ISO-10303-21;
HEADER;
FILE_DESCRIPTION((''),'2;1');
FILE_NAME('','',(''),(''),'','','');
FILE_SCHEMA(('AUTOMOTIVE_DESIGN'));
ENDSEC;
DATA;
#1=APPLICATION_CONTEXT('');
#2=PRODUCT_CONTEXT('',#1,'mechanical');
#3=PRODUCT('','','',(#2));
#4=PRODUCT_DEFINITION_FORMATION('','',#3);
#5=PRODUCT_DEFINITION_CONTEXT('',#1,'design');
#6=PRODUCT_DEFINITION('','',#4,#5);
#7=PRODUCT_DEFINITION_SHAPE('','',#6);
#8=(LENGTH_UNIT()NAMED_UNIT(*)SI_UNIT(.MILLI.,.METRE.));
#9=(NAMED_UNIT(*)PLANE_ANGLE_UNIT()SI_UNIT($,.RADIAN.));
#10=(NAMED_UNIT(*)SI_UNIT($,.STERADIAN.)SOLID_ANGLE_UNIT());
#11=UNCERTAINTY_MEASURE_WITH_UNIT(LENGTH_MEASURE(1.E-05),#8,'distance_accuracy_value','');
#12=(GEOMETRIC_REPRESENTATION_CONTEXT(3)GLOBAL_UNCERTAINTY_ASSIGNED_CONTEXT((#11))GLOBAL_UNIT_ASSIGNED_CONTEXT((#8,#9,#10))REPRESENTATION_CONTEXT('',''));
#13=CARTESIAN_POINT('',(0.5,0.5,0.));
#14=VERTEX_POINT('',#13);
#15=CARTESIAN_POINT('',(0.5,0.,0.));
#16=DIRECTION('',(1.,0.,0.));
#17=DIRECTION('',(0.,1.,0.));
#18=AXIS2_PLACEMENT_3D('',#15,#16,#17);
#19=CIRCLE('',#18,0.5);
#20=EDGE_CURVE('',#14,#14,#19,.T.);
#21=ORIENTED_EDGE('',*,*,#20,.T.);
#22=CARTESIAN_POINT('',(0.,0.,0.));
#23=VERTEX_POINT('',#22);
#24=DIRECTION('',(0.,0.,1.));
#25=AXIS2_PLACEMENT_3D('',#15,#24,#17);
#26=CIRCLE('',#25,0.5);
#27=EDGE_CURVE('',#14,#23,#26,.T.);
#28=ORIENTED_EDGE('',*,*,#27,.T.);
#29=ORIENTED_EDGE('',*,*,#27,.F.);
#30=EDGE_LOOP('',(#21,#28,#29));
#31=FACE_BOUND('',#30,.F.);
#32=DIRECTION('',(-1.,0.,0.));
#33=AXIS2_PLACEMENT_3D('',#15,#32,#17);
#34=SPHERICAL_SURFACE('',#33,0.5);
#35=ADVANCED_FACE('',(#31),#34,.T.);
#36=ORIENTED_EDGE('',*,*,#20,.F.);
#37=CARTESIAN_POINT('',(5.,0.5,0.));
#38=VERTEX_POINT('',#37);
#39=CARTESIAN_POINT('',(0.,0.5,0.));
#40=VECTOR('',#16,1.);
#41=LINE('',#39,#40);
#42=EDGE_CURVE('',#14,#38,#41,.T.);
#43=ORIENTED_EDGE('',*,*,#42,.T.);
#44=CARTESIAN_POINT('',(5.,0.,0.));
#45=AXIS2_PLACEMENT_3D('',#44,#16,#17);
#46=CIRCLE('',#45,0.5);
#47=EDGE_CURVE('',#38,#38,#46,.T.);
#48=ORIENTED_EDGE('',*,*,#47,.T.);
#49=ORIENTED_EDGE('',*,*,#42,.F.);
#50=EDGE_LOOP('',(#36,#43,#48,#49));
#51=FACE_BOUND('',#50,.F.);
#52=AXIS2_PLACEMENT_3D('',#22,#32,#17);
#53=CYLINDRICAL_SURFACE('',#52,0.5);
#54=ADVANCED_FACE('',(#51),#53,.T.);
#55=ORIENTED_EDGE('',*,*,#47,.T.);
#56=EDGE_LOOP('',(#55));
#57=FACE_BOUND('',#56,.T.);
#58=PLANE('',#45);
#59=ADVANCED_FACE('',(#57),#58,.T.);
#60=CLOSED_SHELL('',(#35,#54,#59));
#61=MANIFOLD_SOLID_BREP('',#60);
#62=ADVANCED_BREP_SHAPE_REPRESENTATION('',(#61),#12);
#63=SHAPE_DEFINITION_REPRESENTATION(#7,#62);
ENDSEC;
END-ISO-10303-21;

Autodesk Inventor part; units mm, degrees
ref_plane "YZ Plane" through (0, 0, 0) normal (1, 0, 0) x (0, 1, 0)
ref_plane "XZ Plane" through (0, 0, 0) normal (0, 1, 0) x (-1, 0, 0)
ref_plane "XY Plane" through (0, 0, 0) normal (0, 0, 1) x (1, 0, 0)
sketch "Skizze1" plane through (0, 0, 0) normal (1, 0, 0) x (0, 1, 0)
  circle A0 centre (0, 0) radius 0.5
  dimension "d0" = 1
extrude "Extrusion1" add sketch "Skizze1" along normal blind 5
sketch "Skizze2" plane through (0, 0, 0) normal (0, 0, 1) x (1, 0, 0)
  line L0 (5, -0.5) -> (5, 0.5) projected
  line L1 (0, 0.5) -> (0, -0.5) construction
  arc A0 (0.5, 0.5) -> (0, 0) centre (0.5, 0) ccw
  line L2 (0, 0.5) -> (5, 0.5) construction
  line L3 (0, 0.5) -> (0, -0.5) projected
  line L4 (0, 0) -> (0, 0.5)
  line L5 (0, 0.5) -> (0.5, 0.5)
  line L6 (-1.1243, 0) -> (6.0207, 0) projected
revolve "Umdrehung1" cut sketch "Skizze2" angle 360 about axis through (-10, 0, 0) along (1, 0, 0)
properties part number "elekrode_tip_r"
